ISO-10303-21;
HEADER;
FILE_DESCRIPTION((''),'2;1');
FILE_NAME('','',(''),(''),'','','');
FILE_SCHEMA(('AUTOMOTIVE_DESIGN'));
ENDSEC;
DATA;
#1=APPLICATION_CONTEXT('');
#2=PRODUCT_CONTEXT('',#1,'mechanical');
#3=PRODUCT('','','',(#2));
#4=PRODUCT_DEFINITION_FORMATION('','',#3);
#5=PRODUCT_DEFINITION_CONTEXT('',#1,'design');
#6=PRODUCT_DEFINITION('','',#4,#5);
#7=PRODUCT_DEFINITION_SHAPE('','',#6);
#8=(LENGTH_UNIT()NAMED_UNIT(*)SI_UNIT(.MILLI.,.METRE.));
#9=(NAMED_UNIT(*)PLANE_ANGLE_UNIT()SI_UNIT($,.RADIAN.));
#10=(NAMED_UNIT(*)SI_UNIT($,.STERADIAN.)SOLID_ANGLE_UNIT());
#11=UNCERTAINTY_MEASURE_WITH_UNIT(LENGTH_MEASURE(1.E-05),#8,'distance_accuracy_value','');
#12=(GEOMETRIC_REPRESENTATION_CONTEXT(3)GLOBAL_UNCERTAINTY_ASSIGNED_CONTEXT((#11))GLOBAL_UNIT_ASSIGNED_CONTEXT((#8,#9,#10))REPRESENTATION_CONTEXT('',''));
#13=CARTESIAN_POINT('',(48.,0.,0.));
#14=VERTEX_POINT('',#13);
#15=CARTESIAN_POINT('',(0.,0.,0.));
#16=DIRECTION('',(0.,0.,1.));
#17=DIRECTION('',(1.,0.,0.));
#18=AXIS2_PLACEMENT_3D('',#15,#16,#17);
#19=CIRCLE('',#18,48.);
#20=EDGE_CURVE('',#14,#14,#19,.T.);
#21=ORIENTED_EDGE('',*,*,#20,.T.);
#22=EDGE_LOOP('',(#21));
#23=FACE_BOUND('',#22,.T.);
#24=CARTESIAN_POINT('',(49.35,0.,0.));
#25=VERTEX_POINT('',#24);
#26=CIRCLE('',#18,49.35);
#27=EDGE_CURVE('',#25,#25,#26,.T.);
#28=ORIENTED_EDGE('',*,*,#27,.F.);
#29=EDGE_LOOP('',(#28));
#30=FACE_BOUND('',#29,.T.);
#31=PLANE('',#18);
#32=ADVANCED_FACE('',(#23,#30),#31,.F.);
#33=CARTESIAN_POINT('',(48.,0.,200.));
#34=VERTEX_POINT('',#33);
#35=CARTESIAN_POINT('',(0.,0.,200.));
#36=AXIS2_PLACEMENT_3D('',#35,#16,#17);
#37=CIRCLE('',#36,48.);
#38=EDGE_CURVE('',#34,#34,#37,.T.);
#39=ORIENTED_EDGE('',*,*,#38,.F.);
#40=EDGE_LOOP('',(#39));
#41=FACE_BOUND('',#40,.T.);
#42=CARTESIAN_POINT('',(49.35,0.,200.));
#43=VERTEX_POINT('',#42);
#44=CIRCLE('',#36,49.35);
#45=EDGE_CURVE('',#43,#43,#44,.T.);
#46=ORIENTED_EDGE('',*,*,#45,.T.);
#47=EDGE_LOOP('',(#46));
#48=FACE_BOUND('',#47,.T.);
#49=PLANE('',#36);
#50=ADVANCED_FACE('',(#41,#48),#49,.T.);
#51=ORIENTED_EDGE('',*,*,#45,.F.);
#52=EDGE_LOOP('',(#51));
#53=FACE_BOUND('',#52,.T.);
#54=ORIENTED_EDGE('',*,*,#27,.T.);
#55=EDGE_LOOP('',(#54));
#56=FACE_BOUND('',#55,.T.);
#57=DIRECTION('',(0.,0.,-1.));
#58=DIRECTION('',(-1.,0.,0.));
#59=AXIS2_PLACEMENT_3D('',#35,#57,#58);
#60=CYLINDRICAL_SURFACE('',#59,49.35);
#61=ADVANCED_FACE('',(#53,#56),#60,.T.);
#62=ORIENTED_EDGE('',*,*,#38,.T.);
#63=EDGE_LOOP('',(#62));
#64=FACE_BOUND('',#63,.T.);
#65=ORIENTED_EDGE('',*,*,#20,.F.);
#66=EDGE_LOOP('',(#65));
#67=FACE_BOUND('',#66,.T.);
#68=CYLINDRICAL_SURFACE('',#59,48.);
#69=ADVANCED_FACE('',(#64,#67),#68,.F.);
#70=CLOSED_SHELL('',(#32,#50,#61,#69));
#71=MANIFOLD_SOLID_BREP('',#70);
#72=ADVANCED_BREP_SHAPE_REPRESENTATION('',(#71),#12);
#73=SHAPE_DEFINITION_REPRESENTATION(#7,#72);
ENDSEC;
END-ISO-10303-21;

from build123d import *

# Parameters (mm, degrees)
SKETCH1_R           = 49.35
SKETCH1_R_2         = 48
BOSS_EXTRUDE1_DEPTH = 200


with BuildPart() as part:
    # Sketch1 → Boss-Extrude1 (new body)
    with BuildSketch(Plane(origin=(0, 0, 0), x_dir=(0, 1, 0), z_dir=(0, 0, 1))):
        with Locations(Location((0, 0, 0), (0, 0, 270))):
            Circle(SKETCH1_R)
        with Locations(Location((0, 0, 0), (0, 0, 270))):
            Circle(SKETCH1_R_2, mode=Mode.SUBTRACT)
    extrude(amount=BOSS_EXTRUDE1_DEPTH)


solid = part.part
